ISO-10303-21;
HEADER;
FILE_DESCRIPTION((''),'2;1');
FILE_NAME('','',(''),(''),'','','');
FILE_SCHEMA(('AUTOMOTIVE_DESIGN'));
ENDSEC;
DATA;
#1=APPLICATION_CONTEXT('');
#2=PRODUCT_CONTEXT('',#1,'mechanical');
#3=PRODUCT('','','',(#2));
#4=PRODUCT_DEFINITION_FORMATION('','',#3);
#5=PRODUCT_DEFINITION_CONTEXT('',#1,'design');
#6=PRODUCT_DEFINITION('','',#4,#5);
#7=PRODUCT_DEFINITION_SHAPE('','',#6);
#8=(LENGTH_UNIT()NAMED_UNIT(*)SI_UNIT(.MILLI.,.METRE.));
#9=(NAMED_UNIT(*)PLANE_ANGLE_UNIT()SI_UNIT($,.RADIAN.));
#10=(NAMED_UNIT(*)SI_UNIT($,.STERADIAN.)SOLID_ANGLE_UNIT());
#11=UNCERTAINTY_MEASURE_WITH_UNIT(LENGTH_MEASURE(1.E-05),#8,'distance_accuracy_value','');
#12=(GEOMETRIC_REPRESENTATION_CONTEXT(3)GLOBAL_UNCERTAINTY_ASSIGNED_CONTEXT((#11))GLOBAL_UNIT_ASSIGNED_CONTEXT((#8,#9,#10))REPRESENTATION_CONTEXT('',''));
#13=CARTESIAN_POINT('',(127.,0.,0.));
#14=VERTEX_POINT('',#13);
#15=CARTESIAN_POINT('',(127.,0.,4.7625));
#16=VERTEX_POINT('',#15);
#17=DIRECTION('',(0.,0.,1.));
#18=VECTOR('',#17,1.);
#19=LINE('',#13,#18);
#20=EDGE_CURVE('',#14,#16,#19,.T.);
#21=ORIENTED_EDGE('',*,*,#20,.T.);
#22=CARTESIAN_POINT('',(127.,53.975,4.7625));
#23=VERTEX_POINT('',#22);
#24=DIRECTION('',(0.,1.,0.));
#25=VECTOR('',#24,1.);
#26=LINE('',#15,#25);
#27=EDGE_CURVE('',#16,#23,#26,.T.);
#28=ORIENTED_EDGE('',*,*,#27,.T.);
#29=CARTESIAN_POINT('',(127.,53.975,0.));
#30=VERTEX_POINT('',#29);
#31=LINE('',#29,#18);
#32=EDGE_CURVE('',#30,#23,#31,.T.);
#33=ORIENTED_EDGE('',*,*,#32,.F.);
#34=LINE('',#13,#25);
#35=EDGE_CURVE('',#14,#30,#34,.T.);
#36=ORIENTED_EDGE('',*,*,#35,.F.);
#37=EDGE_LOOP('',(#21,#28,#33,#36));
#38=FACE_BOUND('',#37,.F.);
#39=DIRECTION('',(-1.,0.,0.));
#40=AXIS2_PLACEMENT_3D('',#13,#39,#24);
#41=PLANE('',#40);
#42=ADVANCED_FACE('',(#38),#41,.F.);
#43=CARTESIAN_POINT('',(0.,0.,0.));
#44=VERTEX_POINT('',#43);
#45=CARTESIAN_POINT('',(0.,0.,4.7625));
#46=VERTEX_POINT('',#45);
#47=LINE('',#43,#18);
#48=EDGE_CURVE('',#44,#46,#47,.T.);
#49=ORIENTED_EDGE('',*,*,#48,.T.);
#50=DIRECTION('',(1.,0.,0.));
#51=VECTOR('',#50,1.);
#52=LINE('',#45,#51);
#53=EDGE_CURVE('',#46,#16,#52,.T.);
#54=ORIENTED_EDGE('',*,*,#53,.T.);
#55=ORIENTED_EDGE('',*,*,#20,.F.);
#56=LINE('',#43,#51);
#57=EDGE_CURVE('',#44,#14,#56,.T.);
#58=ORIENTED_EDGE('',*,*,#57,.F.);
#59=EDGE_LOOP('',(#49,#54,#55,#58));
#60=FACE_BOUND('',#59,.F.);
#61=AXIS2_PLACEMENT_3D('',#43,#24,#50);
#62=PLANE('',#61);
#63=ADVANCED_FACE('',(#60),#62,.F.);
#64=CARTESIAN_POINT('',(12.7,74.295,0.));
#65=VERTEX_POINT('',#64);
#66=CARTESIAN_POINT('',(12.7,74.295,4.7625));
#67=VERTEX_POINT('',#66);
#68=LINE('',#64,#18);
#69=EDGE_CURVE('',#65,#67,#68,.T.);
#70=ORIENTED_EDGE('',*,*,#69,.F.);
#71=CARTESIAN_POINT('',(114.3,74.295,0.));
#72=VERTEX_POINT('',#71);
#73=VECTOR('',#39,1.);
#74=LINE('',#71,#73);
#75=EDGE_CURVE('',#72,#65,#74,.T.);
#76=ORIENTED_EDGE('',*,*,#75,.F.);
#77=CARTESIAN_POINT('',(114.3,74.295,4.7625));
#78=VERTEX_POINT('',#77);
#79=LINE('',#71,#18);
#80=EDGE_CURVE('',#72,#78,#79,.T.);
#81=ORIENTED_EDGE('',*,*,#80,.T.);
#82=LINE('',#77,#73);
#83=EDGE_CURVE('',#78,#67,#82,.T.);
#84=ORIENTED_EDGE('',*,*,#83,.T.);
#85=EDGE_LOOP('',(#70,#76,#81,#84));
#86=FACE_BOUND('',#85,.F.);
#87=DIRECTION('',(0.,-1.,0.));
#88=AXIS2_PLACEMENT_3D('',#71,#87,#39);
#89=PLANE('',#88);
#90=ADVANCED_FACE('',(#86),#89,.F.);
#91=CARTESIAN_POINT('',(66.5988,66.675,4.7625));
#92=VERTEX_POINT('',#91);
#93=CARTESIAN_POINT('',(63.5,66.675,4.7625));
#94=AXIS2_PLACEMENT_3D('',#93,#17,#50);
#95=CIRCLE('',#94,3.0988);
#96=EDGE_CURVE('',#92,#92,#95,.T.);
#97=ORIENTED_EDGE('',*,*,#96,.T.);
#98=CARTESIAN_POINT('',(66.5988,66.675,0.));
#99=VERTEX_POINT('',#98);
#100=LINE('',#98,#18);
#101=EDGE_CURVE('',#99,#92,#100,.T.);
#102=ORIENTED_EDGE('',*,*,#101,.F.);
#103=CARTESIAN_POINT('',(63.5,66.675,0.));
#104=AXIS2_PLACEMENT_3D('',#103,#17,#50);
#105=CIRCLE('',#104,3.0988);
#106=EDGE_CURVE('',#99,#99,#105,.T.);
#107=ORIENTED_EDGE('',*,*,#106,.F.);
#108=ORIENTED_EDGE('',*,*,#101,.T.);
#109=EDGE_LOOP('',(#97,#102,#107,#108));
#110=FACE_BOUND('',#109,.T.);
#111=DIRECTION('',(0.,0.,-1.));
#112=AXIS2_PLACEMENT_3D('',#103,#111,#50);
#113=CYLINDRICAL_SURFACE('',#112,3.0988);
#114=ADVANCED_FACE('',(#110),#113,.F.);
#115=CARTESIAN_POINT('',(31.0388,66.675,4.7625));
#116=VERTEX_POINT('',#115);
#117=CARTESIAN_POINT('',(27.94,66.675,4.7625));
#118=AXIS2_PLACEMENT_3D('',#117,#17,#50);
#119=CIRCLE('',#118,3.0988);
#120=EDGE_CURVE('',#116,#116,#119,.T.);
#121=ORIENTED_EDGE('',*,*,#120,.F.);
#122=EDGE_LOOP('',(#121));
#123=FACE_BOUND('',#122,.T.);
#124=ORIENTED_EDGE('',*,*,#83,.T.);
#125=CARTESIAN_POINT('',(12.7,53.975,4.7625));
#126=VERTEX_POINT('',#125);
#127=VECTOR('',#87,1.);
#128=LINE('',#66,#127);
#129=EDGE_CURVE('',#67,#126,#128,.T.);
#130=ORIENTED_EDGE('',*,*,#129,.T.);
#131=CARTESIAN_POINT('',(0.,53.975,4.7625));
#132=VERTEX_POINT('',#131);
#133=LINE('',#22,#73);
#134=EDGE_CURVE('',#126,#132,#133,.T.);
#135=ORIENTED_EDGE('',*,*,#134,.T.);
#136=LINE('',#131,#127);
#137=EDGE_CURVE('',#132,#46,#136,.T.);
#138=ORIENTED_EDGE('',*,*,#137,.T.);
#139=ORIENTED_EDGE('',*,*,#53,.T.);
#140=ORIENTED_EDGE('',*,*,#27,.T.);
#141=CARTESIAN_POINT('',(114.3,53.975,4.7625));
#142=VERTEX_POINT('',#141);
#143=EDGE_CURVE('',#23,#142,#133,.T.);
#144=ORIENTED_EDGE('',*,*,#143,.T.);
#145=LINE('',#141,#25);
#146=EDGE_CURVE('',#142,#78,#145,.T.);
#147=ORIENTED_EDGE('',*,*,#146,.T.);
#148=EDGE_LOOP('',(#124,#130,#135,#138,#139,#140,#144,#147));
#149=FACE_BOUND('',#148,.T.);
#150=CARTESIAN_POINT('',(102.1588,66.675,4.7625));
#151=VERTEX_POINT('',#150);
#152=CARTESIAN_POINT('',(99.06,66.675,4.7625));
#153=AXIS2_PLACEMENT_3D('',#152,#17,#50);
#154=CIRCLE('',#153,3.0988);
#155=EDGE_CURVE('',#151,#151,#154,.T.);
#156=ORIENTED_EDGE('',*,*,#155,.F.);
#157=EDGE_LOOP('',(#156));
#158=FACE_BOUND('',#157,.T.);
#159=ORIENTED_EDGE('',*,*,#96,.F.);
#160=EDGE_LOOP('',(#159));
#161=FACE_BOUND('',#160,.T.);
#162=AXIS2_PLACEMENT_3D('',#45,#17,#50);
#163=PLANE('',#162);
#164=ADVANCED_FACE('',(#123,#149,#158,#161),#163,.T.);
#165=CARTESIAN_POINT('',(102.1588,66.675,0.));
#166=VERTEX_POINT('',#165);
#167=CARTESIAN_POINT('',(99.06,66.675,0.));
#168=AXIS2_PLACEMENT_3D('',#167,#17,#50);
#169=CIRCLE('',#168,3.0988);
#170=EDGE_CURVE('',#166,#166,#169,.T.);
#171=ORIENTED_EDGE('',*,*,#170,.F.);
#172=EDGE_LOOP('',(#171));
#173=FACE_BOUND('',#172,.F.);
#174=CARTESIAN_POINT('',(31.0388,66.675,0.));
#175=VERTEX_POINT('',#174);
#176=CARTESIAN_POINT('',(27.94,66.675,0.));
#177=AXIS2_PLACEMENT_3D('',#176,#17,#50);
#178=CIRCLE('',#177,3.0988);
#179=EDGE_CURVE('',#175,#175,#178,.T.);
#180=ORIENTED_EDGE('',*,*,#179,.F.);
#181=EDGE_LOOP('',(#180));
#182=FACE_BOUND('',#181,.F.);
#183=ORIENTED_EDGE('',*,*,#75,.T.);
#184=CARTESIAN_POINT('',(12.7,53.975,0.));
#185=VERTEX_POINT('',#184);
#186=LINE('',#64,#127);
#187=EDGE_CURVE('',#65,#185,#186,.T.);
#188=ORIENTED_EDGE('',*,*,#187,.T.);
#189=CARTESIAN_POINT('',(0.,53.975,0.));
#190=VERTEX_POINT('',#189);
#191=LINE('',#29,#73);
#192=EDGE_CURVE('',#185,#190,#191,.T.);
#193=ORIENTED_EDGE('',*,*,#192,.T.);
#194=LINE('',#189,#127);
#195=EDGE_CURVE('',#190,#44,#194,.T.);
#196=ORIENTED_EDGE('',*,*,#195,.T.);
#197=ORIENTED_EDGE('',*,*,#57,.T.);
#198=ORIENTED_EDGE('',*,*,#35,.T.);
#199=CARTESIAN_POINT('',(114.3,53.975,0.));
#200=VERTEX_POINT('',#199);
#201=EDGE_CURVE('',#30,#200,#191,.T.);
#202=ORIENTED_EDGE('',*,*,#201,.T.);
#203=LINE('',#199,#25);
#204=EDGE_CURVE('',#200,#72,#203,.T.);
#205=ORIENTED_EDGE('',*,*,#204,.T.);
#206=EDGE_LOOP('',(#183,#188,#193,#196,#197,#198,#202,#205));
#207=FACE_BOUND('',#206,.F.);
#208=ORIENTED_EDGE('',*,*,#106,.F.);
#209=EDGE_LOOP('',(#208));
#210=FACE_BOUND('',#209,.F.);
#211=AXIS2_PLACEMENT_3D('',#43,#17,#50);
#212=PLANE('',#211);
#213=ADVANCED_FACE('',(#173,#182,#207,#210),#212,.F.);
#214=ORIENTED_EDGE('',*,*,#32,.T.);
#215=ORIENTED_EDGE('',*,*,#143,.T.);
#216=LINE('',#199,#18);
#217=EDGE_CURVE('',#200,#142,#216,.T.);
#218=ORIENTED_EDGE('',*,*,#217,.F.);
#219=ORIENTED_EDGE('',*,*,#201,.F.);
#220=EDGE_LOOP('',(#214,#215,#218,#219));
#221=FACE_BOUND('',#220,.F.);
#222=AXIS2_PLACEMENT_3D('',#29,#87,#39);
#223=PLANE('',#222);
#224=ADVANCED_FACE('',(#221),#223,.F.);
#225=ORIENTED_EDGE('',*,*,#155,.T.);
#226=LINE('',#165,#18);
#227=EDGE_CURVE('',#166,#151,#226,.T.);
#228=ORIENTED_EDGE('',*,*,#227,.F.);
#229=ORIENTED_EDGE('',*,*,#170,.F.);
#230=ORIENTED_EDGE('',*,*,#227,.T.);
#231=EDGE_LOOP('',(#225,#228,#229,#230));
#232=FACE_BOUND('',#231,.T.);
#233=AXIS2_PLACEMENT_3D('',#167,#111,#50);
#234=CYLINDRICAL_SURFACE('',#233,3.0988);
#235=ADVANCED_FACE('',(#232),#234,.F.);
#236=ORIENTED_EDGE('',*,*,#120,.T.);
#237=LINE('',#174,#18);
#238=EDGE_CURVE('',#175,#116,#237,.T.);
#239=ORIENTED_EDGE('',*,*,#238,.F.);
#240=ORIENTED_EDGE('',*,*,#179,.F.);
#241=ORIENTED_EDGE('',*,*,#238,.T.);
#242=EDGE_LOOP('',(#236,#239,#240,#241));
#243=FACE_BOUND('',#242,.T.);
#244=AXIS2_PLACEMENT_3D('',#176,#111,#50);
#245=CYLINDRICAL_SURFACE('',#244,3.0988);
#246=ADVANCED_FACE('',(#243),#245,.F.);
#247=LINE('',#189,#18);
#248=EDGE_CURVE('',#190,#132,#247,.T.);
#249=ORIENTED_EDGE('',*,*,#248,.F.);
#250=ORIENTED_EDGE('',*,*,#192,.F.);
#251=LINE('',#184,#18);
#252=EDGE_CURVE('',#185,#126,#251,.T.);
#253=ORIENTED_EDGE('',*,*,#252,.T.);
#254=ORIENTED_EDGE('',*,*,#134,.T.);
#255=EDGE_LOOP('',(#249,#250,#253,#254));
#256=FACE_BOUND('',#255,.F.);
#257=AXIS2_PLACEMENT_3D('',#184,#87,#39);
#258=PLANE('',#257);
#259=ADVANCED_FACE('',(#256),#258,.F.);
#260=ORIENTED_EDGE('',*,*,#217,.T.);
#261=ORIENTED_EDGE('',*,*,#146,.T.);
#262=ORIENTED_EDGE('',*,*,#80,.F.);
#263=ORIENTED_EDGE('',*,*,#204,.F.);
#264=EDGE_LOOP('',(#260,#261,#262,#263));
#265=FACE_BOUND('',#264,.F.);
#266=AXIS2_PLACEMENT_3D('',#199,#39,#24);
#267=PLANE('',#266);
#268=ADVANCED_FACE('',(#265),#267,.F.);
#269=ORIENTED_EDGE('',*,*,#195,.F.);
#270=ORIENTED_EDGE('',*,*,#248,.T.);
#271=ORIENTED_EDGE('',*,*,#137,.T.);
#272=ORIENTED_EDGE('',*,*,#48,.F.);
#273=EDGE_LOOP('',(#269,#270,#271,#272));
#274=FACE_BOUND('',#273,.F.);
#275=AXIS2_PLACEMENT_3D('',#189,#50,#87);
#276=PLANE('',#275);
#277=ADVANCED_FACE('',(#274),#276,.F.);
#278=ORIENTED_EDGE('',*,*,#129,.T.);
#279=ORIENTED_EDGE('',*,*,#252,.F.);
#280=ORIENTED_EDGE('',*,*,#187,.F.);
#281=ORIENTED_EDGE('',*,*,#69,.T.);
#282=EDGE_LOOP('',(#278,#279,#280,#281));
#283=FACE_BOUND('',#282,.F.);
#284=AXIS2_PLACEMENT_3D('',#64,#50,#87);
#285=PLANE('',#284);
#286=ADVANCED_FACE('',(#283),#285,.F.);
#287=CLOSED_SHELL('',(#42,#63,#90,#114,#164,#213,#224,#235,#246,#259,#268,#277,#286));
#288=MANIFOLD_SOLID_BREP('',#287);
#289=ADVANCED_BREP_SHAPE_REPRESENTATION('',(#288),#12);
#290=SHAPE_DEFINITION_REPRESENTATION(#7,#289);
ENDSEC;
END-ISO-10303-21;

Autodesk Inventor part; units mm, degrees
ref_plane "YZ Plane" through (0, 0, 0) normal (1, 0, 0) x (0, 1, 0)
ref_plane "XZ Plane" through (0, 0, 0) normal (0, 1, 0) x (-1, 0, 0)
ref_plane "XY Plane" through (0, 0, 0) normal (0, 0, 1) x (1, 0, 0)
sketch "Sketch1" plane through (0, 0, 0) normal (0, 0, 1) x (1, 0, 0)
  line L0 (0, 0) -> (127, 0)
  line L1 (127, 0) -> (127, 53.975)
  line L2 (127, 53.975) -> (0, 53.975)
  line L3 (0, 53.975) -> (0, 0)
  line L4 (12.7, 53.975) -> (114.3, 53.975)
  line L5 (114.3, 53.975) -> (114.3, 74.295)
  line L6 (114.3, 74.295) -> (12.7, 74.295)
  line L7 (12.7, 74.295) -> (12.7, 53.975)
  circle A0 centre (27.94, 66.675) radius 3.0988
  circle A1 centre (63.5, 66.675) radius 3.0988
  circle A2 centre (99.06, 66.675) radius 3.0988
  dimension "d0" = 127
  dimension "d1" = 53.975
  dimension "d2" = 101.6
  dimension "d3" = 12.7
  dimension "d4" = 20.32
  dimension "d5" = 6.1976
  dimension "d6" = 35.56
  dimension "d12" = 12.7
  dimension "d13" = 12.7
  dimension "d14" = 50.8
  dimension "d15" = 12.7
  dimension "d16" = 35.56
extrude "Extrusion1" add sketch "Sketch1" along normal blind 4.7625
equation "\"d3\" = -0.5 * d2 + 0.5 * d0"
equation "\"d13\" = d12"
equation "\"d14\" = 0.5 * d2"
equation "\"d15\" = d13"
equation "\"d16\" = d6"
properties part number "Top"
